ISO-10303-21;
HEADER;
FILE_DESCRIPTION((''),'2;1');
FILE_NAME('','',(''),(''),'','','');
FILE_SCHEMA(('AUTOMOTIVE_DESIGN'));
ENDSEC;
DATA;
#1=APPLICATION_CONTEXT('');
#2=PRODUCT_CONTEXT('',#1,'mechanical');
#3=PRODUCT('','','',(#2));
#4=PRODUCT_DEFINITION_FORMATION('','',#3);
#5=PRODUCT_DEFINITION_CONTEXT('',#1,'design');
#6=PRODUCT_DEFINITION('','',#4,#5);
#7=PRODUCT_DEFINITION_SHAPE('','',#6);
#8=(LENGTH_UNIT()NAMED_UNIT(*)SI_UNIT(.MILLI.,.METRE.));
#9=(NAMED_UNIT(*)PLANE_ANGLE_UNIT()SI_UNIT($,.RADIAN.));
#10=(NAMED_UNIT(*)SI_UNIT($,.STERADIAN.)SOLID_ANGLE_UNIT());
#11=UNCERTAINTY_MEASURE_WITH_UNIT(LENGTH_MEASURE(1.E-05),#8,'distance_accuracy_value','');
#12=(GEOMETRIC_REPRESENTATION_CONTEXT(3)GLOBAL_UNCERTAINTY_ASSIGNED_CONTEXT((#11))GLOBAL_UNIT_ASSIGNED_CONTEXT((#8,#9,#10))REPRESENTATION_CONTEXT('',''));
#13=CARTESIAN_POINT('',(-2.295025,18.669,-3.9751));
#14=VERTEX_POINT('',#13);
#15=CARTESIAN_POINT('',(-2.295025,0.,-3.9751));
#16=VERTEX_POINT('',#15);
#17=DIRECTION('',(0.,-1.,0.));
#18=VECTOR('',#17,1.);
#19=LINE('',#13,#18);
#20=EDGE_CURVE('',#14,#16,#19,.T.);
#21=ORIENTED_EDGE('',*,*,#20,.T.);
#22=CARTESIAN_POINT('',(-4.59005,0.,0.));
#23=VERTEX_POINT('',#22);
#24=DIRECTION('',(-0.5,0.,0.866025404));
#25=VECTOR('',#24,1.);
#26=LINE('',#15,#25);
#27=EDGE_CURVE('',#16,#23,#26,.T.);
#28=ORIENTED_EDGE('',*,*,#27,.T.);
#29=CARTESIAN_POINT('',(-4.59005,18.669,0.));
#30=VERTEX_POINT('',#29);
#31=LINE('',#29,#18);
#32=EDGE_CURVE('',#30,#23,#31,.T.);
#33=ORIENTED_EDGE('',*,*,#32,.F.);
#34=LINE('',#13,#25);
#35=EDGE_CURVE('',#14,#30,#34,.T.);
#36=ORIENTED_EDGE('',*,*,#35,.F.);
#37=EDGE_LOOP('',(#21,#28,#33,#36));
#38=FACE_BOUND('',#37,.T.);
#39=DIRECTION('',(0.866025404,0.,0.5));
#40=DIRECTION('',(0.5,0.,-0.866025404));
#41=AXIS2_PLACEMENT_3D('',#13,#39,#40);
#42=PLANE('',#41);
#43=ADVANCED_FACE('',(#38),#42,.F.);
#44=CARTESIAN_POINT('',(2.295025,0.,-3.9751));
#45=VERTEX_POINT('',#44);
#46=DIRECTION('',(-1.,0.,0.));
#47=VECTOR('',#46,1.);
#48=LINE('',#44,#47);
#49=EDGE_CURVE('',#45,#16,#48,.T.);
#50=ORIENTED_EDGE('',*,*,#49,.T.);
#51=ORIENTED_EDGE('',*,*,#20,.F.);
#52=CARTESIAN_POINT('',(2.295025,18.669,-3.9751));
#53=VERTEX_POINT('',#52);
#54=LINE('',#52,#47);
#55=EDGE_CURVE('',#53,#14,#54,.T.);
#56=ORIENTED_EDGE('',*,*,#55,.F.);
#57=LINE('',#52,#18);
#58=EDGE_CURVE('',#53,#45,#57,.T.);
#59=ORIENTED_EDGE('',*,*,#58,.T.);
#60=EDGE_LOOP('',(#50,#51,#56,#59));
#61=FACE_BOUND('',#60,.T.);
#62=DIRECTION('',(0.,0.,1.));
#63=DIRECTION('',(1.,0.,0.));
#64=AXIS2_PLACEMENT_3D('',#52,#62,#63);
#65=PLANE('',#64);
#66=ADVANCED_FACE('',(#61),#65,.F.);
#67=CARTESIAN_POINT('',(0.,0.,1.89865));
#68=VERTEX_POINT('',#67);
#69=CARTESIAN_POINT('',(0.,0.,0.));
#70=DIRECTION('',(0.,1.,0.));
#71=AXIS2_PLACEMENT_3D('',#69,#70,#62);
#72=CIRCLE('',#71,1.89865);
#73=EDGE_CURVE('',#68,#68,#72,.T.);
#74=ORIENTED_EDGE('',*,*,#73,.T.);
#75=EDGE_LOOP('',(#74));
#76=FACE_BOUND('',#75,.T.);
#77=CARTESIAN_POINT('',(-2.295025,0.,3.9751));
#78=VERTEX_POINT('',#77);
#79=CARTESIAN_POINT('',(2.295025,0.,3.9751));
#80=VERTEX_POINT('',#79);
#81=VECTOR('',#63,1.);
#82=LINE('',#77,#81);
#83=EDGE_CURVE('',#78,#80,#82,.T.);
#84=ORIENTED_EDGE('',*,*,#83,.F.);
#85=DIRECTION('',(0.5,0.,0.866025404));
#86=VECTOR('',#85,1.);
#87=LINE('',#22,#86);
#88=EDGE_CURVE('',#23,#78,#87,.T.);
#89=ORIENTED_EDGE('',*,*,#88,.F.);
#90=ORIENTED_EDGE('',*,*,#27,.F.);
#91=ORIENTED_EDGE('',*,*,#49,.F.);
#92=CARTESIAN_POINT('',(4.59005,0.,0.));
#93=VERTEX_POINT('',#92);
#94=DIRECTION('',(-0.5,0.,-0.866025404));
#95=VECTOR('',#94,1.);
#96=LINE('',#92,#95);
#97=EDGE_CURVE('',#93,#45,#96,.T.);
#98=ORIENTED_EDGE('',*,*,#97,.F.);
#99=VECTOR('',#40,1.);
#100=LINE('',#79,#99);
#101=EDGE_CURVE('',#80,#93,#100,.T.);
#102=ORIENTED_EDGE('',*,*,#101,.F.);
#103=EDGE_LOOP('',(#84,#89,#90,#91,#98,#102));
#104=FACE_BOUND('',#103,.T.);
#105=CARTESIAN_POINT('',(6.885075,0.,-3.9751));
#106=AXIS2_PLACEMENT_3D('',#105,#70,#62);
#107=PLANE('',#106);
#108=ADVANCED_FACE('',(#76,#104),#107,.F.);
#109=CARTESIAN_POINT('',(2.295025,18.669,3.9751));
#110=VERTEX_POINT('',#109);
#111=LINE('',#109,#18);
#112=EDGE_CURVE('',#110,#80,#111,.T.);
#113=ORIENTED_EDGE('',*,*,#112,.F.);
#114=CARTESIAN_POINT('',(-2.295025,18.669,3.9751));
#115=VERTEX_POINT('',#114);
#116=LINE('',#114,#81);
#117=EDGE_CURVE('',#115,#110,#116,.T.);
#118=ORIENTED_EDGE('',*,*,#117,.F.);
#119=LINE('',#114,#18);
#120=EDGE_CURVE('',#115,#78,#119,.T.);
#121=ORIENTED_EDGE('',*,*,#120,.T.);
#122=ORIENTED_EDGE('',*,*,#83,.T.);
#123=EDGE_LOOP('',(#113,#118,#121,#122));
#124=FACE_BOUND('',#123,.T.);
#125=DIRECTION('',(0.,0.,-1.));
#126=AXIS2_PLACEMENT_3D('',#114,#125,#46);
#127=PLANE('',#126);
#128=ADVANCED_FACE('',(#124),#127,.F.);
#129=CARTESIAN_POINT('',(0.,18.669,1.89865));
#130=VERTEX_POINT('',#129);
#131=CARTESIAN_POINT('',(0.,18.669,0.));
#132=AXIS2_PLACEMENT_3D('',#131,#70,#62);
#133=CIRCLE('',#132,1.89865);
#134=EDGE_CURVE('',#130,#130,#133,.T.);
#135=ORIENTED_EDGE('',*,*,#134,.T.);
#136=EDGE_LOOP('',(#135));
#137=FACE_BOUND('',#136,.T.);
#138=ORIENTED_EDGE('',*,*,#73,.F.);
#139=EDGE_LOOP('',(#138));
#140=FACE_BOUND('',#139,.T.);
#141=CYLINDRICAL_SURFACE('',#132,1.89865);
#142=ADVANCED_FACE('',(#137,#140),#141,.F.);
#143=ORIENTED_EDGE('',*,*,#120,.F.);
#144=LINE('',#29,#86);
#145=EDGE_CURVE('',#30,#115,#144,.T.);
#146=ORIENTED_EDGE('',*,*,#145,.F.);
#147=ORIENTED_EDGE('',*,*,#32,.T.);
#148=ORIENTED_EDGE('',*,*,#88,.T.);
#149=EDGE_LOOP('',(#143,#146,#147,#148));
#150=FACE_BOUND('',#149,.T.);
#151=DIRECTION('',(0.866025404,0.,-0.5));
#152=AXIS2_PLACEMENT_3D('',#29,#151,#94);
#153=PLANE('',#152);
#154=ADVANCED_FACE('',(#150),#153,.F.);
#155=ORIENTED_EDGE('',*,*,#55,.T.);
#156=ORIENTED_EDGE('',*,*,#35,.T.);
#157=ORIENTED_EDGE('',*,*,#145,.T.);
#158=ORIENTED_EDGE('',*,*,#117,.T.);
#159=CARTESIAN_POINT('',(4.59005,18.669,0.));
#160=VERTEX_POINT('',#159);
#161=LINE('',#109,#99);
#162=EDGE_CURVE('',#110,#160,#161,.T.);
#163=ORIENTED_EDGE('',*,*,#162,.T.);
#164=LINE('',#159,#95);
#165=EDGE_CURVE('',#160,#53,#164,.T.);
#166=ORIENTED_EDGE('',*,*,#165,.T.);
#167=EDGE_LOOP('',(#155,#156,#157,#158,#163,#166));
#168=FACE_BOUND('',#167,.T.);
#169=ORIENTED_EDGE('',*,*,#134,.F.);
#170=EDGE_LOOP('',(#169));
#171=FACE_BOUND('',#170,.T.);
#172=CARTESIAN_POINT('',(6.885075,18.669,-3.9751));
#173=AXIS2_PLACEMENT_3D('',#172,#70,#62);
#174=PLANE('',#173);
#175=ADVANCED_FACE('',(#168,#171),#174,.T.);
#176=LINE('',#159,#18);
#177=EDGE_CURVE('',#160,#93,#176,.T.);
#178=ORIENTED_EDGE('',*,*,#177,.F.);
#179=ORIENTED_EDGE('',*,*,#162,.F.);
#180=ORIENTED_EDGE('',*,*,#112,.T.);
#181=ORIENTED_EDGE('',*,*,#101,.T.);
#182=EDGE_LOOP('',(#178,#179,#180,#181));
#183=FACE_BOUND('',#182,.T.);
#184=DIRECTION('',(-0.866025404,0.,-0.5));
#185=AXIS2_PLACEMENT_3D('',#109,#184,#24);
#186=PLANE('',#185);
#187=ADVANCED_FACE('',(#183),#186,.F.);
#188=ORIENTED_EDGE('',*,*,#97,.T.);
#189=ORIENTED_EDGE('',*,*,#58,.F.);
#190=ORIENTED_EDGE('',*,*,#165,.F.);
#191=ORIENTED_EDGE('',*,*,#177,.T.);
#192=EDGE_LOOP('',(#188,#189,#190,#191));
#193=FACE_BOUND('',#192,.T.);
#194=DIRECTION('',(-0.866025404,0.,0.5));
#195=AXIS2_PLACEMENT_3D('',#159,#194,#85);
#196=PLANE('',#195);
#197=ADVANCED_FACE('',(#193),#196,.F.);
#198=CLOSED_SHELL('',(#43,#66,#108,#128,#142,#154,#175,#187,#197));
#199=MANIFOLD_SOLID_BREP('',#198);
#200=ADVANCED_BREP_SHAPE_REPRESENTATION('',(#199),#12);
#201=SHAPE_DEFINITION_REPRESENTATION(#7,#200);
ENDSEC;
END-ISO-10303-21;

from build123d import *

# Parameters (mm, degrees)
BOSS_EXTRUDE1_DEPTH     = 18.669
TAP_DRILL_FOR_10_TAP1_D = 3.7973


with BuildPart() as part:
    # Sketch1 → Boss-Extrude1 (new body)
    with BuildSketch(Plane(origin=(0, 0, 0), x_dir=(1, 0, 0), z_dir=(0, 1, 0))):
        Polygon((4.59005011, 0), (2.295025055, 3.9751), (-2.295025055, 3.9751), (-4.59005011, 0), (-2.295025055, -3.9751), (2.295025055, -3.9751), align=None)
    extrude(amount=BOSS_EXTRUDE1_DEPTH)

    # Tap Drill for #10 Tap1 (through all)
    with Locations(Plane(origin=(0, 18.669, 0), x_dir=(-1, 0, 0), z_dir=(0, 1, 0))):
        with Locations((0, 0)):
            Hole(TAP_DRILL_FOR_10_TAP1_D / 2)


solid = part.part
